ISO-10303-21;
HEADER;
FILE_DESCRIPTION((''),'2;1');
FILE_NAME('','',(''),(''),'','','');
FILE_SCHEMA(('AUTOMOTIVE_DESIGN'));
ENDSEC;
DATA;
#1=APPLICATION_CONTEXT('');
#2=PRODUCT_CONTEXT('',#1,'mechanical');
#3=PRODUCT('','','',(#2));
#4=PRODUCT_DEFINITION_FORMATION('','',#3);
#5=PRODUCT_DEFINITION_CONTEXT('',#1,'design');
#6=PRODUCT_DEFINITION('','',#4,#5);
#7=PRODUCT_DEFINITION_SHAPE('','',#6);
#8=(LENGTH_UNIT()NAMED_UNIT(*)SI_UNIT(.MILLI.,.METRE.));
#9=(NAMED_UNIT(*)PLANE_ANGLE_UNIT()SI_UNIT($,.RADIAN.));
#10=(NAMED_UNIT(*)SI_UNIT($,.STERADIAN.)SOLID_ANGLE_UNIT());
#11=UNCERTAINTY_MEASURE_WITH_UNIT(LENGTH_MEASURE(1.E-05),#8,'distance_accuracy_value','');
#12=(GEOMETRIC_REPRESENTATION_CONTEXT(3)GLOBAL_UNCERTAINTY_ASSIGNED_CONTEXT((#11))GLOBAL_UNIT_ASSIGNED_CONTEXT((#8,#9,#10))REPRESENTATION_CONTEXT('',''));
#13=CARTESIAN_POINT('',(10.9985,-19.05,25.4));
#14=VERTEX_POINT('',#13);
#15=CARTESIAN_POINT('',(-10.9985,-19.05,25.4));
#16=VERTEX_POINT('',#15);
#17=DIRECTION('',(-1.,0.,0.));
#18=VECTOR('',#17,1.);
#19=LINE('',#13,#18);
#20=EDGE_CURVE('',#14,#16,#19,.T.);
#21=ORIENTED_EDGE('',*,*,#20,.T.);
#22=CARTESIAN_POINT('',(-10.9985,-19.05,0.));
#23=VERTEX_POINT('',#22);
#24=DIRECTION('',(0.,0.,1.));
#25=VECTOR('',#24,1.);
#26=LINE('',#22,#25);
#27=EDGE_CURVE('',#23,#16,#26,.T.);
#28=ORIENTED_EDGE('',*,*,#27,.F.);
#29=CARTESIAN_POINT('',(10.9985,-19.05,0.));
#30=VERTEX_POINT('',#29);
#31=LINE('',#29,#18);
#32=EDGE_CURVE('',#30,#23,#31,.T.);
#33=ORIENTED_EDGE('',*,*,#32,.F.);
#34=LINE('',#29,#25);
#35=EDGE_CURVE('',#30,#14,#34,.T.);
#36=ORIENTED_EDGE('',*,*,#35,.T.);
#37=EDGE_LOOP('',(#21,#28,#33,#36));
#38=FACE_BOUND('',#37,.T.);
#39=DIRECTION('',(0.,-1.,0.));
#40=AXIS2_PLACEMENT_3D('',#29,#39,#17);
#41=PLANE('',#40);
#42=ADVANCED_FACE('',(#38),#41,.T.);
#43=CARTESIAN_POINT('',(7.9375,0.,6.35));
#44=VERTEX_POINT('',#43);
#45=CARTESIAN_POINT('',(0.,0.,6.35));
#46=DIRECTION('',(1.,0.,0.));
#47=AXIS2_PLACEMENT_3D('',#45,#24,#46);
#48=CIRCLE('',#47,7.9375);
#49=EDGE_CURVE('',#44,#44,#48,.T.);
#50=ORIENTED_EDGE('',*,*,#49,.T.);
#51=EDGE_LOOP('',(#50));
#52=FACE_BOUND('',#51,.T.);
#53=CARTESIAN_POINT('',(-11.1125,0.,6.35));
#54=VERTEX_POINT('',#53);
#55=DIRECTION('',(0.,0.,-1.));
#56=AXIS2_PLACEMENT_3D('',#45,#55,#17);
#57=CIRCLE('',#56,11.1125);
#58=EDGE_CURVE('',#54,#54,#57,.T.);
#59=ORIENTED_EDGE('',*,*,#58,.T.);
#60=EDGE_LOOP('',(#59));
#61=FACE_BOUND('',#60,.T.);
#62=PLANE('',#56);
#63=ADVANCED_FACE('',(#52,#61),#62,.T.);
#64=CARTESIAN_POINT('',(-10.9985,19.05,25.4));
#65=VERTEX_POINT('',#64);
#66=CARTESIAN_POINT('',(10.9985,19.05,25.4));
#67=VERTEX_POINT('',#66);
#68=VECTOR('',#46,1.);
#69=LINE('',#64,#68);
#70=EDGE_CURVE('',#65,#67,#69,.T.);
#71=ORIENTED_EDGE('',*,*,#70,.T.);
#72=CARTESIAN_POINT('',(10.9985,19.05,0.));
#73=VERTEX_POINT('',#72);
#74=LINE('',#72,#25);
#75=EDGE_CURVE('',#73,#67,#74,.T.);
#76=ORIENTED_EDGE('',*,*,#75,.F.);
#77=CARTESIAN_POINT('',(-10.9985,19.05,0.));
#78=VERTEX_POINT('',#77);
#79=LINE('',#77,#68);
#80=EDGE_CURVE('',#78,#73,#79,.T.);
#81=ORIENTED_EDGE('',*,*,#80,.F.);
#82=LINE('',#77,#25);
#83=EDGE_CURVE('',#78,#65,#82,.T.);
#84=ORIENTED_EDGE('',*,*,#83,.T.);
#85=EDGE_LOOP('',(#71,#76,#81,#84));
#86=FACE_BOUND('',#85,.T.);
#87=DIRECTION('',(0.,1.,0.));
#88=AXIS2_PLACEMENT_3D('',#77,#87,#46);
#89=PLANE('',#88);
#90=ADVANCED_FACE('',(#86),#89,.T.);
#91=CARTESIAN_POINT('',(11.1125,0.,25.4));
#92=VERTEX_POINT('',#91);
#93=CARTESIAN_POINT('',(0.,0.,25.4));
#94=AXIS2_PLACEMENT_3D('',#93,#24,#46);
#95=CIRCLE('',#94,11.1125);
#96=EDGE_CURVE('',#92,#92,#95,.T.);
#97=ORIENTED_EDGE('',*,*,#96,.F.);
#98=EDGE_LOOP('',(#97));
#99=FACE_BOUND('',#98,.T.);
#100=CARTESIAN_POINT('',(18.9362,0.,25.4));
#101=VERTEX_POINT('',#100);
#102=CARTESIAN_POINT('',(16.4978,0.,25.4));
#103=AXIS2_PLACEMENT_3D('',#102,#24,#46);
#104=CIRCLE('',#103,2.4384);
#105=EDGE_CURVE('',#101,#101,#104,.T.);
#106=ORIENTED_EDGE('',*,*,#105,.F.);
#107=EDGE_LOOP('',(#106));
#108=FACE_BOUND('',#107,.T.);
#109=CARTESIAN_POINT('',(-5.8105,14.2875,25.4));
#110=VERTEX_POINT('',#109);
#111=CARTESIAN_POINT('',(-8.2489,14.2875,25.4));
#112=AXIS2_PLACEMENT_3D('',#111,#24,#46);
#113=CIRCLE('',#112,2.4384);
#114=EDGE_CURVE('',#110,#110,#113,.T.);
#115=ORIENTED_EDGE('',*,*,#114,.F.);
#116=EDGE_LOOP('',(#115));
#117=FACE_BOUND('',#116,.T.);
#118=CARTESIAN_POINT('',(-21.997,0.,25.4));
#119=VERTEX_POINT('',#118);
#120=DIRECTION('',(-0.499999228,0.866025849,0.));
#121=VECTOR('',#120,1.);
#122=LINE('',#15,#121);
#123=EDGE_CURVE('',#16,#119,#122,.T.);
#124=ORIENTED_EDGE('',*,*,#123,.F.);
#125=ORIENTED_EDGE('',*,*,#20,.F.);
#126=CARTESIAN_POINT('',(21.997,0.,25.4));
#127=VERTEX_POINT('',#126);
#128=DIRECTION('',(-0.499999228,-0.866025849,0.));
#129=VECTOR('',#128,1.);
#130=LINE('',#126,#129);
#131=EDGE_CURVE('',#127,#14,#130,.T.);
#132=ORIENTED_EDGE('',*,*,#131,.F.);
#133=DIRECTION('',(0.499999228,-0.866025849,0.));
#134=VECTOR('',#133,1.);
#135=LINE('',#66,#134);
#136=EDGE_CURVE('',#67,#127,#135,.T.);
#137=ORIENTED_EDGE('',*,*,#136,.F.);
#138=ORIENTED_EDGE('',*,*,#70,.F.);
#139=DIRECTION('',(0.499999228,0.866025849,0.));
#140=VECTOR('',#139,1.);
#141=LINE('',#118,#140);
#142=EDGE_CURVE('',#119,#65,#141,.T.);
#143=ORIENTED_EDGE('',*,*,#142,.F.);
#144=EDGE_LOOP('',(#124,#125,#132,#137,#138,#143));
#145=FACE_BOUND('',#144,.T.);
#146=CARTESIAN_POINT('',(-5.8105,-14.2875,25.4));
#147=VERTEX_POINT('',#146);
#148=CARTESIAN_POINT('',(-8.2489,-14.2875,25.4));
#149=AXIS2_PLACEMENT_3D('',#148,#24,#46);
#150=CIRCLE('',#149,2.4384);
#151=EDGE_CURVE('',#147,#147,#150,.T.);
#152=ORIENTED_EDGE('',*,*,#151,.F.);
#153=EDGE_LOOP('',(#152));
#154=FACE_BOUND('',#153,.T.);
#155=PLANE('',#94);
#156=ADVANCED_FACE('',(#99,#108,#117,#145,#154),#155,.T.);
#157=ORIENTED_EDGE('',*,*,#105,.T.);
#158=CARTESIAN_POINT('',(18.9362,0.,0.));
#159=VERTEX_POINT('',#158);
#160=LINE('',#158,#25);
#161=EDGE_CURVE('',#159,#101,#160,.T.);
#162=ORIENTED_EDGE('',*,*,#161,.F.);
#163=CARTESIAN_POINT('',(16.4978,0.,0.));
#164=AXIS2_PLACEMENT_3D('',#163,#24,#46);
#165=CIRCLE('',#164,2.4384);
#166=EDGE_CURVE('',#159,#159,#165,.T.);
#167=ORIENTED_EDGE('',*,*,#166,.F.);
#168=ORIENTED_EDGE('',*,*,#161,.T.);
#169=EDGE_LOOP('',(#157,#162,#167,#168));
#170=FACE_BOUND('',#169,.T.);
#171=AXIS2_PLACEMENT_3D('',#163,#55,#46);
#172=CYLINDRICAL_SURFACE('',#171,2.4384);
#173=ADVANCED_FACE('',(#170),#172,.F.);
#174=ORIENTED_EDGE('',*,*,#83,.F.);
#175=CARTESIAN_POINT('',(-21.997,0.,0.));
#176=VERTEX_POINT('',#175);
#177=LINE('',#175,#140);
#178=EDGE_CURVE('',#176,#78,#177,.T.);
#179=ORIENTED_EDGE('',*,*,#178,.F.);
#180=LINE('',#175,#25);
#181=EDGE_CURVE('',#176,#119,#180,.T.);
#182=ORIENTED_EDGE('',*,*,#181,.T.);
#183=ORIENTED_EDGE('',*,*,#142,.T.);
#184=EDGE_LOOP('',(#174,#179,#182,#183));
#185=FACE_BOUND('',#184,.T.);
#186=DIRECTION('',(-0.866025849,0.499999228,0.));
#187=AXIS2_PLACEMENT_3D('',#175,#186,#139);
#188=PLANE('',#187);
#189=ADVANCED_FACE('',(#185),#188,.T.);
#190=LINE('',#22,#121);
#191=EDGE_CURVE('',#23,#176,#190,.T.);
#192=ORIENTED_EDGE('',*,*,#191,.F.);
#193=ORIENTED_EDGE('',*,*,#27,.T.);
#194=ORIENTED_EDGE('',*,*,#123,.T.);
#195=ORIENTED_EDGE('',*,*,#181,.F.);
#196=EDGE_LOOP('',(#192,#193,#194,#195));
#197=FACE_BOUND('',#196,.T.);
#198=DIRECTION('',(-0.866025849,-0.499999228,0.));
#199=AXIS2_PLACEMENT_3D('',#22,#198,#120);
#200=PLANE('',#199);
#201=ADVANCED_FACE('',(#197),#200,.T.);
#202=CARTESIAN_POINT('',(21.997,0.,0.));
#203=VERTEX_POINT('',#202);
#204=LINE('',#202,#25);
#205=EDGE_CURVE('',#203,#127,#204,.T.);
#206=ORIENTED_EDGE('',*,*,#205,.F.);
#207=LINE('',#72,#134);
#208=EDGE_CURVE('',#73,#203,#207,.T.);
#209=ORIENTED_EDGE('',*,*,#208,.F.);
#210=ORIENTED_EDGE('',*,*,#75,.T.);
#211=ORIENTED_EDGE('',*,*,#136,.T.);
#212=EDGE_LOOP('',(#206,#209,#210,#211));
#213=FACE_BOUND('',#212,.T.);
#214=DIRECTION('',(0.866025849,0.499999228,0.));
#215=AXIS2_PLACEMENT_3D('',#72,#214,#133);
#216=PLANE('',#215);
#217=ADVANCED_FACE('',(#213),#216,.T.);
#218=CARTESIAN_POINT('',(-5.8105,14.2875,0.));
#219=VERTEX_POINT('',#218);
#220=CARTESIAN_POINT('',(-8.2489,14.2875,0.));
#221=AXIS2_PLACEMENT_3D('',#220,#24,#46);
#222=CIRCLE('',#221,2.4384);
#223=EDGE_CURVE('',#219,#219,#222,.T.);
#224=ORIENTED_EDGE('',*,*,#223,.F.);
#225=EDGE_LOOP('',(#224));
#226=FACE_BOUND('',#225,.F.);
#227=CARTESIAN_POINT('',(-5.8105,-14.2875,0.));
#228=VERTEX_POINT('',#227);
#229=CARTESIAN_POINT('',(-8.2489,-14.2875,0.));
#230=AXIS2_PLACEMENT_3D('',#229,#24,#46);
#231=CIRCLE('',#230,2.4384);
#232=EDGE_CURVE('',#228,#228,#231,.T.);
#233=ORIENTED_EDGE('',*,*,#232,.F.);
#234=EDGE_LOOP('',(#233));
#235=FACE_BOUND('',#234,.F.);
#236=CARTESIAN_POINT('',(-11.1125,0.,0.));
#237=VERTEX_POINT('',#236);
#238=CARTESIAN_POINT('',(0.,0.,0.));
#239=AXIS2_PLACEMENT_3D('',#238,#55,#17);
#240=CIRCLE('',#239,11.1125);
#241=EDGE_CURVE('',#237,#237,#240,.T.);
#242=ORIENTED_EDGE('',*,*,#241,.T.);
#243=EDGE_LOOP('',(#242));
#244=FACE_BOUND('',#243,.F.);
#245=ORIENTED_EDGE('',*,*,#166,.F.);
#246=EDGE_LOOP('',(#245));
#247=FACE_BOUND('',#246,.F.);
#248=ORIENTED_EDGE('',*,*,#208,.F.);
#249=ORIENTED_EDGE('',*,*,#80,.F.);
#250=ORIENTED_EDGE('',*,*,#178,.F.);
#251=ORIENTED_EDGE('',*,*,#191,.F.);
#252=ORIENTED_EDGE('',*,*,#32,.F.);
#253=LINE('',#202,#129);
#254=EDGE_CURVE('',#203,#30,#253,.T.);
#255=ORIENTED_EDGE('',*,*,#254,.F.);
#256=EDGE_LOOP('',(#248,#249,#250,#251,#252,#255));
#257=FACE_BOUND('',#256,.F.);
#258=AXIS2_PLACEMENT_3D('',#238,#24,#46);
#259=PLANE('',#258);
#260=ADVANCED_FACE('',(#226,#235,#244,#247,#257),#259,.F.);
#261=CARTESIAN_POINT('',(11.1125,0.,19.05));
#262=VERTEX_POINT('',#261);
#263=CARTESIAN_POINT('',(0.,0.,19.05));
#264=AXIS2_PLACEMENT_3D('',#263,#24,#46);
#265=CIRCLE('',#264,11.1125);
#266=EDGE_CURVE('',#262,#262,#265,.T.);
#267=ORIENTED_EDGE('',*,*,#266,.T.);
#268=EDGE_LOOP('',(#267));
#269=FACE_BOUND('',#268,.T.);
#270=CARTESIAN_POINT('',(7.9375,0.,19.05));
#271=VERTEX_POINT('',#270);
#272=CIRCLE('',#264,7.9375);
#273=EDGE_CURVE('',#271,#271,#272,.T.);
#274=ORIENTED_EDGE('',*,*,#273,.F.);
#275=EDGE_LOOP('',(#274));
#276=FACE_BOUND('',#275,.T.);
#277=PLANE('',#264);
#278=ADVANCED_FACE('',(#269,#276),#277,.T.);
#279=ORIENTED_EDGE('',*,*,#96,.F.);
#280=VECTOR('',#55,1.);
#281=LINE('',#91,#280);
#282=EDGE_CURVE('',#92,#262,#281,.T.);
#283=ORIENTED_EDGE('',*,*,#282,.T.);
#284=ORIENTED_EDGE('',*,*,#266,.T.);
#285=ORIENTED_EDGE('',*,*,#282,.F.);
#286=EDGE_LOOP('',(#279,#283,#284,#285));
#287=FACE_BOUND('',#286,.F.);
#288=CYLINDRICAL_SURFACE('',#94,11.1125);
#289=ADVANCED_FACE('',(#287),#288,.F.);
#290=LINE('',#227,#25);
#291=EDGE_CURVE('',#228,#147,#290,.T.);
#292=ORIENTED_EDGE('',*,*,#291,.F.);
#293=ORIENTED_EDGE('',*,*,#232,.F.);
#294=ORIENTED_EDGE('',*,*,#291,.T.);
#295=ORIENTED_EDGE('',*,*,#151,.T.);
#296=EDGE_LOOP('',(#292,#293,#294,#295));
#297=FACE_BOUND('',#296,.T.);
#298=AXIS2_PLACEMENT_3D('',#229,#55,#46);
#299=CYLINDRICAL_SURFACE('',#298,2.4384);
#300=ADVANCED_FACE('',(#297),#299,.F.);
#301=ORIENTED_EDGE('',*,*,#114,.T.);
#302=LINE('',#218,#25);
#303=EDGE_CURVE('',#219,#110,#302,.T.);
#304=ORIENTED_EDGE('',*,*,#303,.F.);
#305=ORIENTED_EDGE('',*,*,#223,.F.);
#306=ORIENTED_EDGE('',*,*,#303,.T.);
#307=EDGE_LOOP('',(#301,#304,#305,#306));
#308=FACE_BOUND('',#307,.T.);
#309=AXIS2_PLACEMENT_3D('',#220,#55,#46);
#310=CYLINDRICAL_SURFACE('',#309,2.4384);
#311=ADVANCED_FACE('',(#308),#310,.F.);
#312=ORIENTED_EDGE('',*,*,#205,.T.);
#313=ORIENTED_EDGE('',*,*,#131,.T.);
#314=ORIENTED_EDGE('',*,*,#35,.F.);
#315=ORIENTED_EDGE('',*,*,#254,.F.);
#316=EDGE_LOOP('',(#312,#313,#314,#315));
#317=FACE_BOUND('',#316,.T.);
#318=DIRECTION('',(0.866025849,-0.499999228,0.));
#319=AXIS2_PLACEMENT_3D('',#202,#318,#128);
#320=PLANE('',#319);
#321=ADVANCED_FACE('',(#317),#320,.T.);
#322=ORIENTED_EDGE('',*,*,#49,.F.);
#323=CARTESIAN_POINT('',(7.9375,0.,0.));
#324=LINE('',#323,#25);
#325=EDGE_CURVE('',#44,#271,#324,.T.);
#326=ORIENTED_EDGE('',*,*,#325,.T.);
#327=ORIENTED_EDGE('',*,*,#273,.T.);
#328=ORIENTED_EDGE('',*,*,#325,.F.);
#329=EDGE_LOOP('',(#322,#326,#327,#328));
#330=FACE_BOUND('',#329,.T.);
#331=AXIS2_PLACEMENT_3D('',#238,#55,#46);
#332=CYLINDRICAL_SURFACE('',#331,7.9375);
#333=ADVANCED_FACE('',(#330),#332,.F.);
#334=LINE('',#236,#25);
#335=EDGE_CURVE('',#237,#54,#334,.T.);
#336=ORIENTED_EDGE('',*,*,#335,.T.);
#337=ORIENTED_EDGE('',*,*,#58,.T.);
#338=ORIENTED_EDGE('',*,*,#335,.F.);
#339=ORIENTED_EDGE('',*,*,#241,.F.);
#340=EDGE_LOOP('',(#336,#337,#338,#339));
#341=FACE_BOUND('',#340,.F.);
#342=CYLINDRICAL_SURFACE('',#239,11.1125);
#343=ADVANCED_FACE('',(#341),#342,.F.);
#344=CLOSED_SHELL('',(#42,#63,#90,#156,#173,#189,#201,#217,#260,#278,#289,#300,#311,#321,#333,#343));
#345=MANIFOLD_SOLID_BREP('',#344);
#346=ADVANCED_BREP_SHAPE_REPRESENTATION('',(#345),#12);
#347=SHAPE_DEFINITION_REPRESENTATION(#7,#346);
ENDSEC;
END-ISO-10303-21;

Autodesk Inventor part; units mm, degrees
ref_plane "YZ Plane" through (0, 0, 0) normal (1, 0, 0) x (0, 1, 0)
ref_plane "XZ Plane" through (0, 0, 0) normal (0, 1, 0) x (-1, 0, 0)
ref_plane "XY Plane" through (0, 0, 0) normal (0, 0, 1) x (1, 0, 0)
sketch "Sketch1" plane through (0, 0, 0) normal (0, 0, 1) x (1, 0, 0)
  line L0 (21.997, 0) -> (10.9985, -19.05)
  line L1 (10.9985, -19.05) -> (-10.9985, -19.05)
  line L2 (-10.9985, -19.05) -> (-21.997, 0)
  line L3 (-21.997, 0) -> (-10.9985, 19.05)
  line L4 (-10.9985, 19.05) -> (10.9985, 19.05)
  line L5 (10.9985, 19.05) -> (21.997, 0)
  circle A0 centre (0, 0) radius 7.9375
  line L6 (8.2489, 14.2875) -> (16.4978, 0) construction
  line L7 (16.4978, 0) -> (8.2489, -14.2875) construction
  line L8 (8.2489, -14.2875) -> (-8.2489, -14.2875) construction
  line L9 (-8.2489, -14.2875) -> (-16.4978, 0) construction
  line L10 (-16.4978, 0) -> (-8.2489, 14.2875) construction
  line L11 (-8.2489, 14.2875) -> (8.2489, 14.2875) construction
  circle A1 centre (-8.2489, 14.2875) radius 2.4384
  circle A2 centre (16.4978, 0) radius 2.4384
  circle A3 centre (-8.2489, -14.2875) radius 2.4384
  dimension "d0" = 15.875
  dimension "d1" = 38.1
  dimension "d2" = 28.575
  dimension "d3" = 4.8768
extrude "Extrusion1" add sketch "Sketch1" along normal blind 25.4
sketch "Sketch2" plane through (0, 0, 25.4) normal (0, 0, 1) x (1, 0, 0)
  circle A0 centre (0, 0) radius 7.9375 projected
  circle A1 centre (0, 0) radius 11.1125
  dimension "d6" = 22.225
extrude "Extrusion2" cut sketch "Sketch2" against normal blind 6.35
sketch "Sketch3" plane through (0, 0, 0) normal (0, 0, -1) x (-1, 0, 0)
  circle A0 centre (0, 0) radius 7.9375 projected
  circle A1 centre (0, 0) radius 11.1125
  dimension "d9" = 22.225
extrude "Extrusion3" cut sketch "Sketch3" against normal blind 6.35
properties part number "BearingBlock" material "Aluminum-6061"
